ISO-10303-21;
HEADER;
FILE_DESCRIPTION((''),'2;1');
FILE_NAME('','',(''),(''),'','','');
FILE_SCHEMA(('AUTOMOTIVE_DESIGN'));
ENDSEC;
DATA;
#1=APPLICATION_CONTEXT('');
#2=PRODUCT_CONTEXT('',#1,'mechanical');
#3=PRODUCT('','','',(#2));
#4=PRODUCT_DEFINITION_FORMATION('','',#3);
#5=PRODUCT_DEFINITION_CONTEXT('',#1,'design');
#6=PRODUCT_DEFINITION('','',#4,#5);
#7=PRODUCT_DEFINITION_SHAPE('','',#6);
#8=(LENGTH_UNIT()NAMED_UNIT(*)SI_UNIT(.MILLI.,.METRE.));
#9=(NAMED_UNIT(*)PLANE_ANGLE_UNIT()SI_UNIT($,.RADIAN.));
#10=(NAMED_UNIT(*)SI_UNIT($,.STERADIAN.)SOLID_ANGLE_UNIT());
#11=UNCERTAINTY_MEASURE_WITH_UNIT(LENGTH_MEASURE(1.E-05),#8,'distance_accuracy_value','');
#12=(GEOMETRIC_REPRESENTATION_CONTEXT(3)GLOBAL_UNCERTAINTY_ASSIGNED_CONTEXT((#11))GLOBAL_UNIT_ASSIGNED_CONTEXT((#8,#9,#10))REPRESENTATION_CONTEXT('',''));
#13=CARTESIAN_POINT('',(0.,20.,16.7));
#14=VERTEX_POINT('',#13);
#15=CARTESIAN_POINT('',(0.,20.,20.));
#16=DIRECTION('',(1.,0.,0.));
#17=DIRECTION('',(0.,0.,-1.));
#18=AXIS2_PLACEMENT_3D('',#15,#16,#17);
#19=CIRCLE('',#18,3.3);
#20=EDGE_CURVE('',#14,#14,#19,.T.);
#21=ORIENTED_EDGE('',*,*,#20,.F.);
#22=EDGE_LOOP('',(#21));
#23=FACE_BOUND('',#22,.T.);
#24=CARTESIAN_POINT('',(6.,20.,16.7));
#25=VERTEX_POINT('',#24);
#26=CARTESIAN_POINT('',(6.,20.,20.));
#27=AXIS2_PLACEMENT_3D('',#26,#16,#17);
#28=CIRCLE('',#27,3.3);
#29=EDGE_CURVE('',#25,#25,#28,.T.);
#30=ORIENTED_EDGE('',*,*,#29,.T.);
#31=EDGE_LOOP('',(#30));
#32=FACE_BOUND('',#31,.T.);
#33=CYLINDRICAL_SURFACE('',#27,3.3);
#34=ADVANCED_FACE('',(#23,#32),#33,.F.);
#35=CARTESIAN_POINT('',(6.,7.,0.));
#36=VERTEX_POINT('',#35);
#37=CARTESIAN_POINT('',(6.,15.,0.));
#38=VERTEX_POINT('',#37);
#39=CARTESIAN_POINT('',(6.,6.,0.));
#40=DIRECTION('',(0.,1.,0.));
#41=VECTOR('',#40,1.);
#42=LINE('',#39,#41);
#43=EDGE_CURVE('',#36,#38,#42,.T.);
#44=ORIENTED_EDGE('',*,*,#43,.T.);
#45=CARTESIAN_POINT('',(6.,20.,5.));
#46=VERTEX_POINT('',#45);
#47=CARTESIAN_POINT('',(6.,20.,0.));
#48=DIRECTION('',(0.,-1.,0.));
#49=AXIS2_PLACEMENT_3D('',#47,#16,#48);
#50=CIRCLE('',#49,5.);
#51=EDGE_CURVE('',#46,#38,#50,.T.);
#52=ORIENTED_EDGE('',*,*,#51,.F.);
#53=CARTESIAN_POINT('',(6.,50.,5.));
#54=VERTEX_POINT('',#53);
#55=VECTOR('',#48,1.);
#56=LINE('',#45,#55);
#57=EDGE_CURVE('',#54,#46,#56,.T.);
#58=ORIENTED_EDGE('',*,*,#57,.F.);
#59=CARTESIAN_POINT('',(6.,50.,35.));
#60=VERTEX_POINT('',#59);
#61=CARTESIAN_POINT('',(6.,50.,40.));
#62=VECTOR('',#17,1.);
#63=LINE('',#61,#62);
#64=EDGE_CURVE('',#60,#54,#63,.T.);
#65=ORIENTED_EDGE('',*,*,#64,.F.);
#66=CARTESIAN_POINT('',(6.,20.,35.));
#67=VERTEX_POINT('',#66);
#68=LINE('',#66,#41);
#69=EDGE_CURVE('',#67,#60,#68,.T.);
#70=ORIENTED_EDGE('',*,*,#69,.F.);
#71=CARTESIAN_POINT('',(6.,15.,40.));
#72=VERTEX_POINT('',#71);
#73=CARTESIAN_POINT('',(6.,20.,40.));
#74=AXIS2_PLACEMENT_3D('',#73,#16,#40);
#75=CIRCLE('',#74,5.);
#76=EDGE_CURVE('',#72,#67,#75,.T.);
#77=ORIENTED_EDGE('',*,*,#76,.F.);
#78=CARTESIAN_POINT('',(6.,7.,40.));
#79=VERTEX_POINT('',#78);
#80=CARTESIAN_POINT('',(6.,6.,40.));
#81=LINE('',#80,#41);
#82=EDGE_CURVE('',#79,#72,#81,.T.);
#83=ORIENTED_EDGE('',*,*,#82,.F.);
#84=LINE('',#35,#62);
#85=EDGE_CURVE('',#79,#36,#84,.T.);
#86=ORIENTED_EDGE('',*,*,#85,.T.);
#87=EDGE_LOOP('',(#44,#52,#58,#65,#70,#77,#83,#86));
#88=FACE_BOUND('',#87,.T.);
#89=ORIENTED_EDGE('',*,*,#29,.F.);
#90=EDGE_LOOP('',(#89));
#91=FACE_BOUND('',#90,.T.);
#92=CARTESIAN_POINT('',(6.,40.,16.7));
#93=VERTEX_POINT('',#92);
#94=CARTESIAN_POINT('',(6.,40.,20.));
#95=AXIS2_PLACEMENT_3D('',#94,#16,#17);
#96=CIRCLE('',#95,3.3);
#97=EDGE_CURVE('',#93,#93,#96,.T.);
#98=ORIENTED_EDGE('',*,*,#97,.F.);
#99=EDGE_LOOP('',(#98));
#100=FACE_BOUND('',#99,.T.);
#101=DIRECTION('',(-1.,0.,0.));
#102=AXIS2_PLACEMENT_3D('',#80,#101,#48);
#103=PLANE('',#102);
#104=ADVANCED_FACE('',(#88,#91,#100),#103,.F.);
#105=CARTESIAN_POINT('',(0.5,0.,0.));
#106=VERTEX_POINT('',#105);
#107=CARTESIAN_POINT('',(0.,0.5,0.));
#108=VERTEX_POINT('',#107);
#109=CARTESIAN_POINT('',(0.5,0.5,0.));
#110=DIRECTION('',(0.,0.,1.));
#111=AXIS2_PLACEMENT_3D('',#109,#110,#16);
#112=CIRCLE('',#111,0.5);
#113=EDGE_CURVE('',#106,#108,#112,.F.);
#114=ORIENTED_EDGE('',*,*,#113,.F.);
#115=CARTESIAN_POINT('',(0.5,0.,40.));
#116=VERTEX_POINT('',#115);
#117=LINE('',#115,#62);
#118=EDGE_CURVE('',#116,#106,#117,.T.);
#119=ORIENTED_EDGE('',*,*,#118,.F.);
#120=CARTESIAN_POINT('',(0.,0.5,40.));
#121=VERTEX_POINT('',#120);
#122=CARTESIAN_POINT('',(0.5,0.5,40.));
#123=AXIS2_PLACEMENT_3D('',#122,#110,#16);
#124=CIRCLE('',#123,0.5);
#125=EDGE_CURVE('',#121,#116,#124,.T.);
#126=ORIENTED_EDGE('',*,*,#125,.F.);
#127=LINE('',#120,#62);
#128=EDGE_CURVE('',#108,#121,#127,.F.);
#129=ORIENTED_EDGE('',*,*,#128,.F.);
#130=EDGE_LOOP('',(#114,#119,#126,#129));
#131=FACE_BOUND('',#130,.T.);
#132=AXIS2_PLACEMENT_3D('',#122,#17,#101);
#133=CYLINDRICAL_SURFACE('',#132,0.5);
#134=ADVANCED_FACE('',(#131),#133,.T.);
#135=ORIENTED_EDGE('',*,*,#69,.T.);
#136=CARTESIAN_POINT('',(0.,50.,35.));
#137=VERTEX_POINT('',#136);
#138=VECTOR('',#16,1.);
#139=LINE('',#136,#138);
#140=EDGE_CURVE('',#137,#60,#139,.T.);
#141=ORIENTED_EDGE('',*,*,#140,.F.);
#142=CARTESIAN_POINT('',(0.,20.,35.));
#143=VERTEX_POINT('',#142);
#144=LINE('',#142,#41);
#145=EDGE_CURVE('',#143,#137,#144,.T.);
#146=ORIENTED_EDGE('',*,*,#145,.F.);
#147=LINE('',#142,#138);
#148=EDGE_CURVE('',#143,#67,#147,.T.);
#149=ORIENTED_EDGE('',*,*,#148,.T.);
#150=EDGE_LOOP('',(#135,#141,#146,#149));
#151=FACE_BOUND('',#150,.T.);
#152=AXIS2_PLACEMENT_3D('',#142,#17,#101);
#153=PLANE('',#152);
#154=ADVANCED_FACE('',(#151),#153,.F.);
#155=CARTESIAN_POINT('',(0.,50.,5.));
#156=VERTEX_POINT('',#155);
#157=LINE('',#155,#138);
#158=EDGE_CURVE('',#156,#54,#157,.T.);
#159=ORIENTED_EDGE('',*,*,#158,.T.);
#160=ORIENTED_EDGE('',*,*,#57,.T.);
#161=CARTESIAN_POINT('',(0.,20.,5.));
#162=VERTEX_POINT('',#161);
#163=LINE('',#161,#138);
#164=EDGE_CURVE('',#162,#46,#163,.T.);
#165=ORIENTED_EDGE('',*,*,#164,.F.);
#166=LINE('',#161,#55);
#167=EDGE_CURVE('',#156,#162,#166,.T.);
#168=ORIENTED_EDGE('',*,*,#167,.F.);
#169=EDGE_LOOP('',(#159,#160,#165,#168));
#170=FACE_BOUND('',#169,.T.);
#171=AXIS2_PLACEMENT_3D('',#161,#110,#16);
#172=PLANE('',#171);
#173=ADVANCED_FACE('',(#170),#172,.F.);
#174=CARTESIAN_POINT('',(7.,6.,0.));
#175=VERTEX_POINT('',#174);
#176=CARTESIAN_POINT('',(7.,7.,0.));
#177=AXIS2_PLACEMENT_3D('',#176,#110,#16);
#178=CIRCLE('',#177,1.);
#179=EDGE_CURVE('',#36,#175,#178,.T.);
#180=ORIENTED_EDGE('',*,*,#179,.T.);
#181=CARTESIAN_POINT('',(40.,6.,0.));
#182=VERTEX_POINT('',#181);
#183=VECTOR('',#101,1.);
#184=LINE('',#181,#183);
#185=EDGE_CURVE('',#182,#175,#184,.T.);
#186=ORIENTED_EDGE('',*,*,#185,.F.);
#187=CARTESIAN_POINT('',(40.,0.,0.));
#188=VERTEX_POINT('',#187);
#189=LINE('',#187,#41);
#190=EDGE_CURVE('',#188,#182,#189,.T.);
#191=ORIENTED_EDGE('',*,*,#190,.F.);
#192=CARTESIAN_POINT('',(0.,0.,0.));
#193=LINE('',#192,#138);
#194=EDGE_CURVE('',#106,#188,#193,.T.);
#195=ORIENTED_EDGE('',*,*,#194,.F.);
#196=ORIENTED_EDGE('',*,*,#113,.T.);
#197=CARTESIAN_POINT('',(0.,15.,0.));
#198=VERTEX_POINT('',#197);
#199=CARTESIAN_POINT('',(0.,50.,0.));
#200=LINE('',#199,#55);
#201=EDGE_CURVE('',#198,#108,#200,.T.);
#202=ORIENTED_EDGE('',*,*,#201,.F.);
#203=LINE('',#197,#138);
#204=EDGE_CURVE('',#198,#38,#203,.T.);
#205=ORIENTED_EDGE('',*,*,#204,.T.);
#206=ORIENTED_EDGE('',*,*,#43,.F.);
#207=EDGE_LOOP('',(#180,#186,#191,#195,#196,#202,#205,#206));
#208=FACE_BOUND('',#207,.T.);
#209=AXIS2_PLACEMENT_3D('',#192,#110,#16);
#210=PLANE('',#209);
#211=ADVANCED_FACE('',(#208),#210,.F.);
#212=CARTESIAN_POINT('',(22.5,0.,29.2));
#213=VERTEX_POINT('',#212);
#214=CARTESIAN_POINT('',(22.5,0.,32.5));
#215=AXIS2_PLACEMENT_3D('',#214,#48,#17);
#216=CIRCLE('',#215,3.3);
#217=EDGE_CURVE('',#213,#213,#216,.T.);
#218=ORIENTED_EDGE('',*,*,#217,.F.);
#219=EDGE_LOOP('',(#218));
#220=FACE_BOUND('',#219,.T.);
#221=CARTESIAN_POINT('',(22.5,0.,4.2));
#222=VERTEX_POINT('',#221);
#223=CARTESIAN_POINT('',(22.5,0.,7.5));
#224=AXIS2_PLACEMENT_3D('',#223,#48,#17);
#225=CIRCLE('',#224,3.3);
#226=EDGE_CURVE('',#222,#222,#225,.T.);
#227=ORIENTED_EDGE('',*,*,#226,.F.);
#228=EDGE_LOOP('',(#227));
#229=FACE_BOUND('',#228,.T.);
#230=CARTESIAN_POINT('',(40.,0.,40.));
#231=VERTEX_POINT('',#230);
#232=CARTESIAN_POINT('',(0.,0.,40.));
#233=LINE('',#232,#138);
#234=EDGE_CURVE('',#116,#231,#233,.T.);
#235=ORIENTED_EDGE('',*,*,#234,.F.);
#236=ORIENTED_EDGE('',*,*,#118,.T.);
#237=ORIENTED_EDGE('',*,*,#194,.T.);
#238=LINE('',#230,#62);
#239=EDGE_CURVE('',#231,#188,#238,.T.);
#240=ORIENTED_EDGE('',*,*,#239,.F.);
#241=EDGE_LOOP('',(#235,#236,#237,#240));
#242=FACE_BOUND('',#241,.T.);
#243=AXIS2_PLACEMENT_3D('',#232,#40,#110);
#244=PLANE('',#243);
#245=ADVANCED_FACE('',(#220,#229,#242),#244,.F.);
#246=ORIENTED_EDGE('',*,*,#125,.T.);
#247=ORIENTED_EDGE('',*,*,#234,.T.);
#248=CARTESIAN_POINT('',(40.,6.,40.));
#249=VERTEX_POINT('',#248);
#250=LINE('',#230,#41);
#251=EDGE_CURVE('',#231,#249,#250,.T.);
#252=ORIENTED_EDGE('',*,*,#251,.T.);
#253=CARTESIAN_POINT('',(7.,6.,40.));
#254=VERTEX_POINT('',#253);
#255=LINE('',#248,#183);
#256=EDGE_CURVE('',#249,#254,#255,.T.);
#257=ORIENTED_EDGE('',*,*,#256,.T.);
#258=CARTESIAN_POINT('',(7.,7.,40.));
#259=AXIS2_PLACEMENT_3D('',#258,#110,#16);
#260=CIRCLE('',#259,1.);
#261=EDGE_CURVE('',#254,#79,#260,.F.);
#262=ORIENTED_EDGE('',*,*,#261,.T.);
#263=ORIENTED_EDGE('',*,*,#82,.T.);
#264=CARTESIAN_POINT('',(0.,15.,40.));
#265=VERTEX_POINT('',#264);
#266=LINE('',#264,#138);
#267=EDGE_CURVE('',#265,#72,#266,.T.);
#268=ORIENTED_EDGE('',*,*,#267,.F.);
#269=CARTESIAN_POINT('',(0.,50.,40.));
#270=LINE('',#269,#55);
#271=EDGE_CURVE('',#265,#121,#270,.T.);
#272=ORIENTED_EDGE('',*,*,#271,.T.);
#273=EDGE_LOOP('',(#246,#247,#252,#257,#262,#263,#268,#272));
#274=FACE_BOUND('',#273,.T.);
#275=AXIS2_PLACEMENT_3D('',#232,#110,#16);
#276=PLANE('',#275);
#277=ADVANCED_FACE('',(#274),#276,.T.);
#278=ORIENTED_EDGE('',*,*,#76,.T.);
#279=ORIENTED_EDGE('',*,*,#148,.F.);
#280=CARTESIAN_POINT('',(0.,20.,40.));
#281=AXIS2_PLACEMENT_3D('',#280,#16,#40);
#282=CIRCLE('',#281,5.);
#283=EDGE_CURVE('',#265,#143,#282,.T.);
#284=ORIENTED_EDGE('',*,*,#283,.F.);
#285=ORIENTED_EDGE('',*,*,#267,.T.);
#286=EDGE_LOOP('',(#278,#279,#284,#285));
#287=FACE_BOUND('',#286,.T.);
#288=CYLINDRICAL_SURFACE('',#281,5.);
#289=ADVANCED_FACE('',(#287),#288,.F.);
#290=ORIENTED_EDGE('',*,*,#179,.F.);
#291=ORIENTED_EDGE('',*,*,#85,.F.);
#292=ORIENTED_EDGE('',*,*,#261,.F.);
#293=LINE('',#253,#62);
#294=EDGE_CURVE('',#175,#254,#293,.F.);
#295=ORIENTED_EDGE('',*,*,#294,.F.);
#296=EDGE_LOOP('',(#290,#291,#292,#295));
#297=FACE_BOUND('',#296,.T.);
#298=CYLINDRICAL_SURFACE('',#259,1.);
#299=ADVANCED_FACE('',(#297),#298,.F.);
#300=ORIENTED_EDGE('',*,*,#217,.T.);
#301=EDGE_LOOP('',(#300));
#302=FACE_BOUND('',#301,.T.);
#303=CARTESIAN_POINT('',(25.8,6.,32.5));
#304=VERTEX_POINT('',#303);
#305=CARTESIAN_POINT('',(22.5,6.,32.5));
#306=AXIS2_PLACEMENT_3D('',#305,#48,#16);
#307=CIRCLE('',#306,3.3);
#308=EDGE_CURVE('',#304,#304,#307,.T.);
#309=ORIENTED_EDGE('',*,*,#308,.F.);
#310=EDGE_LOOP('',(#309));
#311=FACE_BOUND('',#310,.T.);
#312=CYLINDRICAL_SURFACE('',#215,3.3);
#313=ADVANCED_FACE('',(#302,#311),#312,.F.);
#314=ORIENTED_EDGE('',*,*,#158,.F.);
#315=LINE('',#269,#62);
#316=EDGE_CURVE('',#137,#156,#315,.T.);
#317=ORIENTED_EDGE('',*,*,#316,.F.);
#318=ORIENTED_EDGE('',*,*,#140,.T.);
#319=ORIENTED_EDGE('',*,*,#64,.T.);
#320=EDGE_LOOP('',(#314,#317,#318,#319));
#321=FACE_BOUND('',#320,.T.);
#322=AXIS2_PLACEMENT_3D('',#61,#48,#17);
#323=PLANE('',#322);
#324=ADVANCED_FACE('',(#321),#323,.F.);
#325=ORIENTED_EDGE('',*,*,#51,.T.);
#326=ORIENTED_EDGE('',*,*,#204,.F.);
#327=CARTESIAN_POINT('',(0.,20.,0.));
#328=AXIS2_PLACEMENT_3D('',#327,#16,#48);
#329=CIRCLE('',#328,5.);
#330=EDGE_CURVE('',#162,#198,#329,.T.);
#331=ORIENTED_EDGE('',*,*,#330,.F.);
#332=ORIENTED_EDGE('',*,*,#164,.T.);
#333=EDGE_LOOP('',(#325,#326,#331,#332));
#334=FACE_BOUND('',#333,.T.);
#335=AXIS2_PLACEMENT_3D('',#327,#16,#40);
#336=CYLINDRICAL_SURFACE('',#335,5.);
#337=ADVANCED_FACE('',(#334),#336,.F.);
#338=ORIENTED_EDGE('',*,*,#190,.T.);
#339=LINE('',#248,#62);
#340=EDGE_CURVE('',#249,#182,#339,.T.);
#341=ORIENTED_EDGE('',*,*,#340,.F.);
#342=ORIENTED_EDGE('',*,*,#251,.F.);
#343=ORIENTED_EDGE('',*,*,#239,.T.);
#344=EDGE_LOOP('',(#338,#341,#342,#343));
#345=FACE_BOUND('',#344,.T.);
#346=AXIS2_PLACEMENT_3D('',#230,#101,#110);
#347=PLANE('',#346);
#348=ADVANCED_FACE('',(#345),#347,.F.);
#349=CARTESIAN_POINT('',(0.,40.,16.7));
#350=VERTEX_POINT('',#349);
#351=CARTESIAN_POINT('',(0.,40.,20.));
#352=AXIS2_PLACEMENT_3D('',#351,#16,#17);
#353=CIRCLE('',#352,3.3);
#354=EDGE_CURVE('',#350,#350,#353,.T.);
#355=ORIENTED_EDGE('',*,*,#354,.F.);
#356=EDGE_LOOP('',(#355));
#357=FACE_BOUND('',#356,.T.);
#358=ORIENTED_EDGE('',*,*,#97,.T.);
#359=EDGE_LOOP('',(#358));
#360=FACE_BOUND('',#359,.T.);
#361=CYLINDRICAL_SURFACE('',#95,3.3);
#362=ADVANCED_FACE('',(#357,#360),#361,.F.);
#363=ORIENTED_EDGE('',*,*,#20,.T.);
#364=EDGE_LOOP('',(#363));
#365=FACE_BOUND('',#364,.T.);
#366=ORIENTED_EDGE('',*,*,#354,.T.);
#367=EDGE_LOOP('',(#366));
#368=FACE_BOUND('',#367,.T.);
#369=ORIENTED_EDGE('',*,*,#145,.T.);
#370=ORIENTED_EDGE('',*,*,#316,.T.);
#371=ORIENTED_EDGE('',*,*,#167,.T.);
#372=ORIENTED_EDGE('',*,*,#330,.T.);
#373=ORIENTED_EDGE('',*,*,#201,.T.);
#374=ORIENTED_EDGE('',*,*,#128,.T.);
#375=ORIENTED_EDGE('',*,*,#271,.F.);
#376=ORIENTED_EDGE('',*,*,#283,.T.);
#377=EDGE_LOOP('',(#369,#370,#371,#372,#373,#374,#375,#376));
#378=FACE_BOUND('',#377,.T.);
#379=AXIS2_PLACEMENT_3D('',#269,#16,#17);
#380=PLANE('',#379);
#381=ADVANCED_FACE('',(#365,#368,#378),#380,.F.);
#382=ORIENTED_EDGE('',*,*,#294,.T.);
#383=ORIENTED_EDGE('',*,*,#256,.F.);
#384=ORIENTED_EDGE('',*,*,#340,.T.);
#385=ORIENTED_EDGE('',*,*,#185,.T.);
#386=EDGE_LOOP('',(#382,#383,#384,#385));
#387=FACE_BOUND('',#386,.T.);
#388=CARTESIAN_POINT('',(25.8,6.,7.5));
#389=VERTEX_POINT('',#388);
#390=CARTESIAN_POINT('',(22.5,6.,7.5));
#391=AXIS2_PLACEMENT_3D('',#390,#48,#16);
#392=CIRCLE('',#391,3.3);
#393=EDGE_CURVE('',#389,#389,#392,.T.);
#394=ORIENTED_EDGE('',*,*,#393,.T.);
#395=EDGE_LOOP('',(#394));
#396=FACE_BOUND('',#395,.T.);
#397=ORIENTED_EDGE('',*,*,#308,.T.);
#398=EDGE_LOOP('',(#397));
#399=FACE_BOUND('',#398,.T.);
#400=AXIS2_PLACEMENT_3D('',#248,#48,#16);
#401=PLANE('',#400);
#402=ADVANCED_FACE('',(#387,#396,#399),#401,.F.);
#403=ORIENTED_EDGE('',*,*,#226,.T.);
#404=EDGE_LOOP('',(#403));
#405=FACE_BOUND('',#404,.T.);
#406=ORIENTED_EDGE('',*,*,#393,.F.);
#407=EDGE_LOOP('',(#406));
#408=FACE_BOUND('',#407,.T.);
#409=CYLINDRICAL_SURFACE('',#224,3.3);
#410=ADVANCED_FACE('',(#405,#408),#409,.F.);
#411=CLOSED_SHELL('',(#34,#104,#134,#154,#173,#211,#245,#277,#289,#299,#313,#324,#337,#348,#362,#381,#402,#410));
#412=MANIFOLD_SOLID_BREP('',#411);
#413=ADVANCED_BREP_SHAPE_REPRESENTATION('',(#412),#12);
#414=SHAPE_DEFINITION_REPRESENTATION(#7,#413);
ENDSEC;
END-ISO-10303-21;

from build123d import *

# Parameters (mm, degrees)
BOSS_EXTRUDE1_DEPTH  = 40
M6_CLEARANCE_HOLE1_D = 6.6
M6_CLEARANCE_HOLE2_D = 6.6
FILLET1_R            = 1
FILLET2_R            = 0.5
CUT_EXTRUDE1_DEPTH   = 73.498275842


with BuildPart() as part:
    # Sketch1 → Boss-Extrude1 (new body)
    with BuildSketch(Plane.XY):
        Polygon((0, 0), (40, 0), (40, 6), (6, 6), (6, 50), (0, 50), align=None)
    extrude(amount=BOSS_EXTRUDE1_DEPTH)

    # M6 Clearance Hole1 (through all)
    with Locations(Plane(origin=(6, 0, 0), x_dir=(0, 0, -1), z_dir=(1, 0, 0))):
        with Locations((-20, 40), (-20, 20)):
            Hole(M6_CLEARANCE_HOLE1_D / 2)

    # M6 Clearance Hole2 (through all)
    with Locations(Plane(origin=(0, 0, 0), x_dir=(-1, 0, 0), z_dir=(0, -1, 0))):
        with Locations((-22.5, -32.5), (-22.5, -7.5)):
            Hole(M6_CLEARANCE_HOLE2_D / 2)

    # Fillet1
    fillet1_edges = [part.edges().sort_by_distance(p)[0] for p in [
        (6, 6, 20),
    ]]
    fillet(fillet1_edges, radius=FILLET1_R)

    # Fillet2
    fillet2_edges = [part.edges().sort_by_distance(p)[0] for p in [
        (0, 0, 20),
    ]]
    fillet(fillet2_edges, radius=FILLET2_R)

    # Sketch7 → Cut-Extrude1 (cut, through all)
    with BuildSketch(Plane(origin=(6, 0, 0), x_dir=(0, 0, -1), z_dir=(1, 0, 0))):
        with BuildLine():
            Line((-5, 50), (0, 50))
            Line((0, 50), (0, 15))
            ThreePointArc((0, 15), (-3.535533906, 16.464466094), (-5, 20))
            Line((-5, 20), (-5, 50))
        make_face()
        with BuildLine():
            Line((-35, 20), (-35, 50))
            Line((-35, 50), (-40, 50))
            Line((-40, 50), (-40, 15))
            ThreePointArc((-40, 15), (-36.464466094, 16.464466094), (-35, 20))
        make_face()
    extrude(amount=-CUT_EXTRUDE1_DEPTH, mode=Mode.SUBTRACT)


solid = part.part
